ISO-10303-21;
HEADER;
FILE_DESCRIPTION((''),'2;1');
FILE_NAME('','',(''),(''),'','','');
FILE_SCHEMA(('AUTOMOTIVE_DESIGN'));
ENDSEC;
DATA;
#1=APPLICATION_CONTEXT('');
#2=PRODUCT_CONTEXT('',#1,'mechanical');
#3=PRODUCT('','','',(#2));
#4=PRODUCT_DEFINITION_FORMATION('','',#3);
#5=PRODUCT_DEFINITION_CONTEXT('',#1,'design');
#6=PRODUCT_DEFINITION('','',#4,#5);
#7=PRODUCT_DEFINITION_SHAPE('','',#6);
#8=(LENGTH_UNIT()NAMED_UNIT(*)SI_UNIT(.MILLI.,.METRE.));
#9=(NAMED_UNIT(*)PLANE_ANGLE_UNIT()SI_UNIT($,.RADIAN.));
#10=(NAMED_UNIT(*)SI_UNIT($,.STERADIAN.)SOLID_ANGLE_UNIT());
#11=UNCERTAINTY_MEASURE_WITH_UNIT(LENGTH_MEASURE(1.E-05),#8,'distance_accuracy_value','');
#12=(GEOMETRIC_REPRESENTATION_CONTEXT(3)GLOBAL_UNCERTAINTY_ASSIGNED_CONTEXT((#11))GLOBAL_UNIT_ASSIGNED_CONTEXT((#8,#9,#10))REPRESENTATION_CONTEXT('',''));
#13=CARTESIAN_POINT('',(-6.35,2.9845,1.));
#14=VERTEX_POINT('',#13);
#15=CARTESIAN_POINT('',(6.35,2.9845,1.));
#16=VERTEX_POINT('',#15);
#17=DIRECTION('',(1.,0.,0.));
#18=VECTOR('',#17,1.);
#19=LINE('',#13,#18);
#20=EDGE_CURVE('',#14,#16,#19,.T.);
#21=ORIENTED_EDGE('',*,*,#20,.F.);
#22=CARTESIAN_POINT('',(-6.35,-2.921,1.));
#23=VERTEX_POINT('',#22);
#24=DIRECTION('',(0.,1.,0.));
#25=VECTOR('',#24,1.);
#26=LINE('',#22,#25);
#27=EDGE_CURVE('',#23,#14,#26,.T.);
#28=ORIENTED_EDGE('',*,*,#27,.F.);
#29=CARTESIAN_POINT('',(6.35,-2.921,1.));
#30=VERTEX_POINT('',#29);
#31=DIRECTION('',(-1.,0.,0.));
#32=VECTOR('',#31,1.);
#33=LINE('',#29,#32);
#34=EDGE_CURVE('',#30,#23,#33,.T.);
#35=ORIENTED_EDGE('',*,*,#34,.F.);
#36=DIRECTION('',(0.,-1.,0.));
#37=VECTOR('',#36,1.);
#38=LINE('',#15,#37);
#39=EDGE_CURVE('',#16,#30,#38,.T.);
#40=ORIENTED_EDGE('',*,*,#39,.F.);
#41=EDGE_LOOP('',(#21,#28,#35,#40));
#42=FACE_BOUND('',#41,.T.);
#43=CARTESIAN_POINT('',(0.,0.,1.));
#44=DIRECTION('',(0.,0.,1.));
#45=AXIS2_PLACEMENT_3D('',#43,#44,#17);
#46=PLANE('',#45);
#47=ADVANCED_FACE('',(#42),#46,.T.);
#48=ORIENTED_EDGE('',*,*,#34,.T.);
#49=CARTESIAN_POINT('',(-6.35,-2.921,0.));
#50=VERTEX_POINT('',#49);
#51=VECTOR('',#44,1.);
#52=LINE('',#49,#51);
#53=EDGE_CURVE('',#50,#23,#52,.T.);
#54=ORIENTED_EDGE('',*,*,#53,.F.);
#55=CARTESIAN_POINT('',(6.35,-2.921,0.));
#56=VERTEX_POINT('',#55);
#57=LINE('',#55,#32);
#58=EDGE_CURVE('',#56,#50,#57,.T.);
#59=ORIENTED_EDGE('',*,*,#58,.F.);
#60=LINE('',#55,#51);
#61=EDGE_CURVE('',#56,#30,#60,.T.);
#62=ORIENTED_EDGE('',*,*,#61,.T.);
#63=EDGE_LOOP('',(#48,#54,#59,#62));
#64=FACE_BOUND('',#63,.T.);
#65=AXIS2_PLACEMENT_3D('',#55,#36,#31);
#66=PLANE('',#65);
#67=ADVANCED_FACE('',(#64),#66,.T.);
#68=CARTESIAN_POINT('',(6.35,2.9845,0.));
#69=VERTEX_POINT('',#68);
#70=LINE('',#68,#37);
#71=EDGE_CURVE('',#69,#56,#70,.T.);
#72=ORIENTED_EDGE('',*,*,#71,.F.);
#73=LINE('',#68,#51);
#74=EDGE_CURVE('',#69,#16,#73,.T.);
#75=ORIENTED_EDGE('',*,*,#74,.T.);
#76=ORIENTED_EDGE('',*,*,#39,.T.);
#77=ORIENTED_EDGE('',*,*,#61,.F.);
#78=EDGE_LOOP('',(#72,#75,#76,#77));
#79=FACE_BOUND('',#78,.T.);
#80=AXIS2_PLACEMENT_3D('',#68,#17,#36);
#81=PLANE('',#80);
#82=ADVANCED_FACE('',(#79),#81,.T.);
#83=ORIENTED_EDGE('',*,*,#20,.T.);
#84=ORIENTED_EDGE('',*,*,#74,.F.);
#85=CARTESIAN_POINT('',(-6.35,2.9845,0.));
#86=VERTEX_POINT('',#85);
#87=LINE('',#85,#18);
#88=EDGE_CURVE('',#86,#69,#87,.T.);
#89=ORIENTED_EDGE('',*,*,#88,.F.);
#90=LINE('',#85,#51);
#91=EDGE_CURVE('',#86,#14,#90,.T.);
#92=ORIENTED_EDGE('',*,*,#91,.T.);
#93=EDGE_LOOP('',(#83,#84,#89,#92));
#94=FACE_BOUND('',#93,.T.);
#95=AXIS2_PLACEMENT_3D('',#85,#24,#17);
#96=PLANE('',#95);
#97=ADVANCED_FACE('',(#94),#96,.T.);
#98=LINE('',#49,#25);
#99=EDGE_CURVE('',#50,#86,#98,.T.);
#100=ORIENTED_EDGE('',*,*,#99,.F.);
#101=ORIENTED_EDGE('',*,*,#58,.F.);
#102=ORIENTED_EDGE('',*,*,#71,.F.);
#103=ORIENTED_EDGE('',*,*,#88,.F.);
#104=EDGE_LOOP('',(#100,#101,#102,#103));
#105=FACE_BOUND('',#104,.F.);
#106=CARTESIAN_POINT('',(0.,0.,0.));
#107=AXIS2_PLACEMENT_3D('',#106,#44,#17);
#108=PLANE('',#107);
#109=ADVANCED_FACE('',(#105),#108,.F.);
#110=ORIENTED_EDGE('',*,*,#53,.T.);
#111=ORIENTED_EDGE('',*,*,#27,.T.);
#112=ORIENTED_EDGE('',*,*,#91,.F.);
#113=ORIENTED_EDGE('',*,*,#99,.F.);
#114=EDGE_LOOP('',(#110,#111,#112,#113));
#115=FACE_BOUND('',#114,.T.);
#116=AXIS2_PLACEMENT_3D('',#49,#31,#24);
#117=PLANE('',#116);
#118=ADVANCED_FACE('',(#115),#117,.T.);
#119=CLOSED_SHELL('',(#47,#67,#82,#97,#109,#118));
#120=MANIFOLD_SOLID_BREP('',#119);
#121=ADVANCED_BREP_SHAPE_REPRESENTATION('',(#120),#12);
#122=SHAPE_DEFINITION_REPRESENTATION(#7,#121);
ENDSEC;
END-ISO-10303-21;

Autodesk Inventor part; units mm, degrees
ref_plane "YZ Plane" through (0, 0, 0) normal (1, 0, 0) x (0, 1, 0)
ref_plane "XZ Plane" through (0, 0, 0) normal (0, 1, 0) x (-1, 0, 0)
ref_plane "XY Plane" through (0, 0, 0) normal (0, 0, 1) x (1, 0, 0)
sketch "6410-05, LED_MATRIX_30" plane through (0, 0, 0) normal (0, 0, 1) x (1, 0, 0)
  line L0 (-6.35, 2.9845) -> (6.35, 2.9845)
  line L1 (6.35, 2.9845) -> (6.35, -2.921)
  line L2 (6.35, -2.921) -> (-6.35, -2.921)
  line L3 (-6.35, -2.921) -> (-6.35, 2.9845)
extrude "Extrusion1" add sketch "6410-05, LED_MATRIX_30" along normal blind 1
properties part number "LED_MATRIX"
